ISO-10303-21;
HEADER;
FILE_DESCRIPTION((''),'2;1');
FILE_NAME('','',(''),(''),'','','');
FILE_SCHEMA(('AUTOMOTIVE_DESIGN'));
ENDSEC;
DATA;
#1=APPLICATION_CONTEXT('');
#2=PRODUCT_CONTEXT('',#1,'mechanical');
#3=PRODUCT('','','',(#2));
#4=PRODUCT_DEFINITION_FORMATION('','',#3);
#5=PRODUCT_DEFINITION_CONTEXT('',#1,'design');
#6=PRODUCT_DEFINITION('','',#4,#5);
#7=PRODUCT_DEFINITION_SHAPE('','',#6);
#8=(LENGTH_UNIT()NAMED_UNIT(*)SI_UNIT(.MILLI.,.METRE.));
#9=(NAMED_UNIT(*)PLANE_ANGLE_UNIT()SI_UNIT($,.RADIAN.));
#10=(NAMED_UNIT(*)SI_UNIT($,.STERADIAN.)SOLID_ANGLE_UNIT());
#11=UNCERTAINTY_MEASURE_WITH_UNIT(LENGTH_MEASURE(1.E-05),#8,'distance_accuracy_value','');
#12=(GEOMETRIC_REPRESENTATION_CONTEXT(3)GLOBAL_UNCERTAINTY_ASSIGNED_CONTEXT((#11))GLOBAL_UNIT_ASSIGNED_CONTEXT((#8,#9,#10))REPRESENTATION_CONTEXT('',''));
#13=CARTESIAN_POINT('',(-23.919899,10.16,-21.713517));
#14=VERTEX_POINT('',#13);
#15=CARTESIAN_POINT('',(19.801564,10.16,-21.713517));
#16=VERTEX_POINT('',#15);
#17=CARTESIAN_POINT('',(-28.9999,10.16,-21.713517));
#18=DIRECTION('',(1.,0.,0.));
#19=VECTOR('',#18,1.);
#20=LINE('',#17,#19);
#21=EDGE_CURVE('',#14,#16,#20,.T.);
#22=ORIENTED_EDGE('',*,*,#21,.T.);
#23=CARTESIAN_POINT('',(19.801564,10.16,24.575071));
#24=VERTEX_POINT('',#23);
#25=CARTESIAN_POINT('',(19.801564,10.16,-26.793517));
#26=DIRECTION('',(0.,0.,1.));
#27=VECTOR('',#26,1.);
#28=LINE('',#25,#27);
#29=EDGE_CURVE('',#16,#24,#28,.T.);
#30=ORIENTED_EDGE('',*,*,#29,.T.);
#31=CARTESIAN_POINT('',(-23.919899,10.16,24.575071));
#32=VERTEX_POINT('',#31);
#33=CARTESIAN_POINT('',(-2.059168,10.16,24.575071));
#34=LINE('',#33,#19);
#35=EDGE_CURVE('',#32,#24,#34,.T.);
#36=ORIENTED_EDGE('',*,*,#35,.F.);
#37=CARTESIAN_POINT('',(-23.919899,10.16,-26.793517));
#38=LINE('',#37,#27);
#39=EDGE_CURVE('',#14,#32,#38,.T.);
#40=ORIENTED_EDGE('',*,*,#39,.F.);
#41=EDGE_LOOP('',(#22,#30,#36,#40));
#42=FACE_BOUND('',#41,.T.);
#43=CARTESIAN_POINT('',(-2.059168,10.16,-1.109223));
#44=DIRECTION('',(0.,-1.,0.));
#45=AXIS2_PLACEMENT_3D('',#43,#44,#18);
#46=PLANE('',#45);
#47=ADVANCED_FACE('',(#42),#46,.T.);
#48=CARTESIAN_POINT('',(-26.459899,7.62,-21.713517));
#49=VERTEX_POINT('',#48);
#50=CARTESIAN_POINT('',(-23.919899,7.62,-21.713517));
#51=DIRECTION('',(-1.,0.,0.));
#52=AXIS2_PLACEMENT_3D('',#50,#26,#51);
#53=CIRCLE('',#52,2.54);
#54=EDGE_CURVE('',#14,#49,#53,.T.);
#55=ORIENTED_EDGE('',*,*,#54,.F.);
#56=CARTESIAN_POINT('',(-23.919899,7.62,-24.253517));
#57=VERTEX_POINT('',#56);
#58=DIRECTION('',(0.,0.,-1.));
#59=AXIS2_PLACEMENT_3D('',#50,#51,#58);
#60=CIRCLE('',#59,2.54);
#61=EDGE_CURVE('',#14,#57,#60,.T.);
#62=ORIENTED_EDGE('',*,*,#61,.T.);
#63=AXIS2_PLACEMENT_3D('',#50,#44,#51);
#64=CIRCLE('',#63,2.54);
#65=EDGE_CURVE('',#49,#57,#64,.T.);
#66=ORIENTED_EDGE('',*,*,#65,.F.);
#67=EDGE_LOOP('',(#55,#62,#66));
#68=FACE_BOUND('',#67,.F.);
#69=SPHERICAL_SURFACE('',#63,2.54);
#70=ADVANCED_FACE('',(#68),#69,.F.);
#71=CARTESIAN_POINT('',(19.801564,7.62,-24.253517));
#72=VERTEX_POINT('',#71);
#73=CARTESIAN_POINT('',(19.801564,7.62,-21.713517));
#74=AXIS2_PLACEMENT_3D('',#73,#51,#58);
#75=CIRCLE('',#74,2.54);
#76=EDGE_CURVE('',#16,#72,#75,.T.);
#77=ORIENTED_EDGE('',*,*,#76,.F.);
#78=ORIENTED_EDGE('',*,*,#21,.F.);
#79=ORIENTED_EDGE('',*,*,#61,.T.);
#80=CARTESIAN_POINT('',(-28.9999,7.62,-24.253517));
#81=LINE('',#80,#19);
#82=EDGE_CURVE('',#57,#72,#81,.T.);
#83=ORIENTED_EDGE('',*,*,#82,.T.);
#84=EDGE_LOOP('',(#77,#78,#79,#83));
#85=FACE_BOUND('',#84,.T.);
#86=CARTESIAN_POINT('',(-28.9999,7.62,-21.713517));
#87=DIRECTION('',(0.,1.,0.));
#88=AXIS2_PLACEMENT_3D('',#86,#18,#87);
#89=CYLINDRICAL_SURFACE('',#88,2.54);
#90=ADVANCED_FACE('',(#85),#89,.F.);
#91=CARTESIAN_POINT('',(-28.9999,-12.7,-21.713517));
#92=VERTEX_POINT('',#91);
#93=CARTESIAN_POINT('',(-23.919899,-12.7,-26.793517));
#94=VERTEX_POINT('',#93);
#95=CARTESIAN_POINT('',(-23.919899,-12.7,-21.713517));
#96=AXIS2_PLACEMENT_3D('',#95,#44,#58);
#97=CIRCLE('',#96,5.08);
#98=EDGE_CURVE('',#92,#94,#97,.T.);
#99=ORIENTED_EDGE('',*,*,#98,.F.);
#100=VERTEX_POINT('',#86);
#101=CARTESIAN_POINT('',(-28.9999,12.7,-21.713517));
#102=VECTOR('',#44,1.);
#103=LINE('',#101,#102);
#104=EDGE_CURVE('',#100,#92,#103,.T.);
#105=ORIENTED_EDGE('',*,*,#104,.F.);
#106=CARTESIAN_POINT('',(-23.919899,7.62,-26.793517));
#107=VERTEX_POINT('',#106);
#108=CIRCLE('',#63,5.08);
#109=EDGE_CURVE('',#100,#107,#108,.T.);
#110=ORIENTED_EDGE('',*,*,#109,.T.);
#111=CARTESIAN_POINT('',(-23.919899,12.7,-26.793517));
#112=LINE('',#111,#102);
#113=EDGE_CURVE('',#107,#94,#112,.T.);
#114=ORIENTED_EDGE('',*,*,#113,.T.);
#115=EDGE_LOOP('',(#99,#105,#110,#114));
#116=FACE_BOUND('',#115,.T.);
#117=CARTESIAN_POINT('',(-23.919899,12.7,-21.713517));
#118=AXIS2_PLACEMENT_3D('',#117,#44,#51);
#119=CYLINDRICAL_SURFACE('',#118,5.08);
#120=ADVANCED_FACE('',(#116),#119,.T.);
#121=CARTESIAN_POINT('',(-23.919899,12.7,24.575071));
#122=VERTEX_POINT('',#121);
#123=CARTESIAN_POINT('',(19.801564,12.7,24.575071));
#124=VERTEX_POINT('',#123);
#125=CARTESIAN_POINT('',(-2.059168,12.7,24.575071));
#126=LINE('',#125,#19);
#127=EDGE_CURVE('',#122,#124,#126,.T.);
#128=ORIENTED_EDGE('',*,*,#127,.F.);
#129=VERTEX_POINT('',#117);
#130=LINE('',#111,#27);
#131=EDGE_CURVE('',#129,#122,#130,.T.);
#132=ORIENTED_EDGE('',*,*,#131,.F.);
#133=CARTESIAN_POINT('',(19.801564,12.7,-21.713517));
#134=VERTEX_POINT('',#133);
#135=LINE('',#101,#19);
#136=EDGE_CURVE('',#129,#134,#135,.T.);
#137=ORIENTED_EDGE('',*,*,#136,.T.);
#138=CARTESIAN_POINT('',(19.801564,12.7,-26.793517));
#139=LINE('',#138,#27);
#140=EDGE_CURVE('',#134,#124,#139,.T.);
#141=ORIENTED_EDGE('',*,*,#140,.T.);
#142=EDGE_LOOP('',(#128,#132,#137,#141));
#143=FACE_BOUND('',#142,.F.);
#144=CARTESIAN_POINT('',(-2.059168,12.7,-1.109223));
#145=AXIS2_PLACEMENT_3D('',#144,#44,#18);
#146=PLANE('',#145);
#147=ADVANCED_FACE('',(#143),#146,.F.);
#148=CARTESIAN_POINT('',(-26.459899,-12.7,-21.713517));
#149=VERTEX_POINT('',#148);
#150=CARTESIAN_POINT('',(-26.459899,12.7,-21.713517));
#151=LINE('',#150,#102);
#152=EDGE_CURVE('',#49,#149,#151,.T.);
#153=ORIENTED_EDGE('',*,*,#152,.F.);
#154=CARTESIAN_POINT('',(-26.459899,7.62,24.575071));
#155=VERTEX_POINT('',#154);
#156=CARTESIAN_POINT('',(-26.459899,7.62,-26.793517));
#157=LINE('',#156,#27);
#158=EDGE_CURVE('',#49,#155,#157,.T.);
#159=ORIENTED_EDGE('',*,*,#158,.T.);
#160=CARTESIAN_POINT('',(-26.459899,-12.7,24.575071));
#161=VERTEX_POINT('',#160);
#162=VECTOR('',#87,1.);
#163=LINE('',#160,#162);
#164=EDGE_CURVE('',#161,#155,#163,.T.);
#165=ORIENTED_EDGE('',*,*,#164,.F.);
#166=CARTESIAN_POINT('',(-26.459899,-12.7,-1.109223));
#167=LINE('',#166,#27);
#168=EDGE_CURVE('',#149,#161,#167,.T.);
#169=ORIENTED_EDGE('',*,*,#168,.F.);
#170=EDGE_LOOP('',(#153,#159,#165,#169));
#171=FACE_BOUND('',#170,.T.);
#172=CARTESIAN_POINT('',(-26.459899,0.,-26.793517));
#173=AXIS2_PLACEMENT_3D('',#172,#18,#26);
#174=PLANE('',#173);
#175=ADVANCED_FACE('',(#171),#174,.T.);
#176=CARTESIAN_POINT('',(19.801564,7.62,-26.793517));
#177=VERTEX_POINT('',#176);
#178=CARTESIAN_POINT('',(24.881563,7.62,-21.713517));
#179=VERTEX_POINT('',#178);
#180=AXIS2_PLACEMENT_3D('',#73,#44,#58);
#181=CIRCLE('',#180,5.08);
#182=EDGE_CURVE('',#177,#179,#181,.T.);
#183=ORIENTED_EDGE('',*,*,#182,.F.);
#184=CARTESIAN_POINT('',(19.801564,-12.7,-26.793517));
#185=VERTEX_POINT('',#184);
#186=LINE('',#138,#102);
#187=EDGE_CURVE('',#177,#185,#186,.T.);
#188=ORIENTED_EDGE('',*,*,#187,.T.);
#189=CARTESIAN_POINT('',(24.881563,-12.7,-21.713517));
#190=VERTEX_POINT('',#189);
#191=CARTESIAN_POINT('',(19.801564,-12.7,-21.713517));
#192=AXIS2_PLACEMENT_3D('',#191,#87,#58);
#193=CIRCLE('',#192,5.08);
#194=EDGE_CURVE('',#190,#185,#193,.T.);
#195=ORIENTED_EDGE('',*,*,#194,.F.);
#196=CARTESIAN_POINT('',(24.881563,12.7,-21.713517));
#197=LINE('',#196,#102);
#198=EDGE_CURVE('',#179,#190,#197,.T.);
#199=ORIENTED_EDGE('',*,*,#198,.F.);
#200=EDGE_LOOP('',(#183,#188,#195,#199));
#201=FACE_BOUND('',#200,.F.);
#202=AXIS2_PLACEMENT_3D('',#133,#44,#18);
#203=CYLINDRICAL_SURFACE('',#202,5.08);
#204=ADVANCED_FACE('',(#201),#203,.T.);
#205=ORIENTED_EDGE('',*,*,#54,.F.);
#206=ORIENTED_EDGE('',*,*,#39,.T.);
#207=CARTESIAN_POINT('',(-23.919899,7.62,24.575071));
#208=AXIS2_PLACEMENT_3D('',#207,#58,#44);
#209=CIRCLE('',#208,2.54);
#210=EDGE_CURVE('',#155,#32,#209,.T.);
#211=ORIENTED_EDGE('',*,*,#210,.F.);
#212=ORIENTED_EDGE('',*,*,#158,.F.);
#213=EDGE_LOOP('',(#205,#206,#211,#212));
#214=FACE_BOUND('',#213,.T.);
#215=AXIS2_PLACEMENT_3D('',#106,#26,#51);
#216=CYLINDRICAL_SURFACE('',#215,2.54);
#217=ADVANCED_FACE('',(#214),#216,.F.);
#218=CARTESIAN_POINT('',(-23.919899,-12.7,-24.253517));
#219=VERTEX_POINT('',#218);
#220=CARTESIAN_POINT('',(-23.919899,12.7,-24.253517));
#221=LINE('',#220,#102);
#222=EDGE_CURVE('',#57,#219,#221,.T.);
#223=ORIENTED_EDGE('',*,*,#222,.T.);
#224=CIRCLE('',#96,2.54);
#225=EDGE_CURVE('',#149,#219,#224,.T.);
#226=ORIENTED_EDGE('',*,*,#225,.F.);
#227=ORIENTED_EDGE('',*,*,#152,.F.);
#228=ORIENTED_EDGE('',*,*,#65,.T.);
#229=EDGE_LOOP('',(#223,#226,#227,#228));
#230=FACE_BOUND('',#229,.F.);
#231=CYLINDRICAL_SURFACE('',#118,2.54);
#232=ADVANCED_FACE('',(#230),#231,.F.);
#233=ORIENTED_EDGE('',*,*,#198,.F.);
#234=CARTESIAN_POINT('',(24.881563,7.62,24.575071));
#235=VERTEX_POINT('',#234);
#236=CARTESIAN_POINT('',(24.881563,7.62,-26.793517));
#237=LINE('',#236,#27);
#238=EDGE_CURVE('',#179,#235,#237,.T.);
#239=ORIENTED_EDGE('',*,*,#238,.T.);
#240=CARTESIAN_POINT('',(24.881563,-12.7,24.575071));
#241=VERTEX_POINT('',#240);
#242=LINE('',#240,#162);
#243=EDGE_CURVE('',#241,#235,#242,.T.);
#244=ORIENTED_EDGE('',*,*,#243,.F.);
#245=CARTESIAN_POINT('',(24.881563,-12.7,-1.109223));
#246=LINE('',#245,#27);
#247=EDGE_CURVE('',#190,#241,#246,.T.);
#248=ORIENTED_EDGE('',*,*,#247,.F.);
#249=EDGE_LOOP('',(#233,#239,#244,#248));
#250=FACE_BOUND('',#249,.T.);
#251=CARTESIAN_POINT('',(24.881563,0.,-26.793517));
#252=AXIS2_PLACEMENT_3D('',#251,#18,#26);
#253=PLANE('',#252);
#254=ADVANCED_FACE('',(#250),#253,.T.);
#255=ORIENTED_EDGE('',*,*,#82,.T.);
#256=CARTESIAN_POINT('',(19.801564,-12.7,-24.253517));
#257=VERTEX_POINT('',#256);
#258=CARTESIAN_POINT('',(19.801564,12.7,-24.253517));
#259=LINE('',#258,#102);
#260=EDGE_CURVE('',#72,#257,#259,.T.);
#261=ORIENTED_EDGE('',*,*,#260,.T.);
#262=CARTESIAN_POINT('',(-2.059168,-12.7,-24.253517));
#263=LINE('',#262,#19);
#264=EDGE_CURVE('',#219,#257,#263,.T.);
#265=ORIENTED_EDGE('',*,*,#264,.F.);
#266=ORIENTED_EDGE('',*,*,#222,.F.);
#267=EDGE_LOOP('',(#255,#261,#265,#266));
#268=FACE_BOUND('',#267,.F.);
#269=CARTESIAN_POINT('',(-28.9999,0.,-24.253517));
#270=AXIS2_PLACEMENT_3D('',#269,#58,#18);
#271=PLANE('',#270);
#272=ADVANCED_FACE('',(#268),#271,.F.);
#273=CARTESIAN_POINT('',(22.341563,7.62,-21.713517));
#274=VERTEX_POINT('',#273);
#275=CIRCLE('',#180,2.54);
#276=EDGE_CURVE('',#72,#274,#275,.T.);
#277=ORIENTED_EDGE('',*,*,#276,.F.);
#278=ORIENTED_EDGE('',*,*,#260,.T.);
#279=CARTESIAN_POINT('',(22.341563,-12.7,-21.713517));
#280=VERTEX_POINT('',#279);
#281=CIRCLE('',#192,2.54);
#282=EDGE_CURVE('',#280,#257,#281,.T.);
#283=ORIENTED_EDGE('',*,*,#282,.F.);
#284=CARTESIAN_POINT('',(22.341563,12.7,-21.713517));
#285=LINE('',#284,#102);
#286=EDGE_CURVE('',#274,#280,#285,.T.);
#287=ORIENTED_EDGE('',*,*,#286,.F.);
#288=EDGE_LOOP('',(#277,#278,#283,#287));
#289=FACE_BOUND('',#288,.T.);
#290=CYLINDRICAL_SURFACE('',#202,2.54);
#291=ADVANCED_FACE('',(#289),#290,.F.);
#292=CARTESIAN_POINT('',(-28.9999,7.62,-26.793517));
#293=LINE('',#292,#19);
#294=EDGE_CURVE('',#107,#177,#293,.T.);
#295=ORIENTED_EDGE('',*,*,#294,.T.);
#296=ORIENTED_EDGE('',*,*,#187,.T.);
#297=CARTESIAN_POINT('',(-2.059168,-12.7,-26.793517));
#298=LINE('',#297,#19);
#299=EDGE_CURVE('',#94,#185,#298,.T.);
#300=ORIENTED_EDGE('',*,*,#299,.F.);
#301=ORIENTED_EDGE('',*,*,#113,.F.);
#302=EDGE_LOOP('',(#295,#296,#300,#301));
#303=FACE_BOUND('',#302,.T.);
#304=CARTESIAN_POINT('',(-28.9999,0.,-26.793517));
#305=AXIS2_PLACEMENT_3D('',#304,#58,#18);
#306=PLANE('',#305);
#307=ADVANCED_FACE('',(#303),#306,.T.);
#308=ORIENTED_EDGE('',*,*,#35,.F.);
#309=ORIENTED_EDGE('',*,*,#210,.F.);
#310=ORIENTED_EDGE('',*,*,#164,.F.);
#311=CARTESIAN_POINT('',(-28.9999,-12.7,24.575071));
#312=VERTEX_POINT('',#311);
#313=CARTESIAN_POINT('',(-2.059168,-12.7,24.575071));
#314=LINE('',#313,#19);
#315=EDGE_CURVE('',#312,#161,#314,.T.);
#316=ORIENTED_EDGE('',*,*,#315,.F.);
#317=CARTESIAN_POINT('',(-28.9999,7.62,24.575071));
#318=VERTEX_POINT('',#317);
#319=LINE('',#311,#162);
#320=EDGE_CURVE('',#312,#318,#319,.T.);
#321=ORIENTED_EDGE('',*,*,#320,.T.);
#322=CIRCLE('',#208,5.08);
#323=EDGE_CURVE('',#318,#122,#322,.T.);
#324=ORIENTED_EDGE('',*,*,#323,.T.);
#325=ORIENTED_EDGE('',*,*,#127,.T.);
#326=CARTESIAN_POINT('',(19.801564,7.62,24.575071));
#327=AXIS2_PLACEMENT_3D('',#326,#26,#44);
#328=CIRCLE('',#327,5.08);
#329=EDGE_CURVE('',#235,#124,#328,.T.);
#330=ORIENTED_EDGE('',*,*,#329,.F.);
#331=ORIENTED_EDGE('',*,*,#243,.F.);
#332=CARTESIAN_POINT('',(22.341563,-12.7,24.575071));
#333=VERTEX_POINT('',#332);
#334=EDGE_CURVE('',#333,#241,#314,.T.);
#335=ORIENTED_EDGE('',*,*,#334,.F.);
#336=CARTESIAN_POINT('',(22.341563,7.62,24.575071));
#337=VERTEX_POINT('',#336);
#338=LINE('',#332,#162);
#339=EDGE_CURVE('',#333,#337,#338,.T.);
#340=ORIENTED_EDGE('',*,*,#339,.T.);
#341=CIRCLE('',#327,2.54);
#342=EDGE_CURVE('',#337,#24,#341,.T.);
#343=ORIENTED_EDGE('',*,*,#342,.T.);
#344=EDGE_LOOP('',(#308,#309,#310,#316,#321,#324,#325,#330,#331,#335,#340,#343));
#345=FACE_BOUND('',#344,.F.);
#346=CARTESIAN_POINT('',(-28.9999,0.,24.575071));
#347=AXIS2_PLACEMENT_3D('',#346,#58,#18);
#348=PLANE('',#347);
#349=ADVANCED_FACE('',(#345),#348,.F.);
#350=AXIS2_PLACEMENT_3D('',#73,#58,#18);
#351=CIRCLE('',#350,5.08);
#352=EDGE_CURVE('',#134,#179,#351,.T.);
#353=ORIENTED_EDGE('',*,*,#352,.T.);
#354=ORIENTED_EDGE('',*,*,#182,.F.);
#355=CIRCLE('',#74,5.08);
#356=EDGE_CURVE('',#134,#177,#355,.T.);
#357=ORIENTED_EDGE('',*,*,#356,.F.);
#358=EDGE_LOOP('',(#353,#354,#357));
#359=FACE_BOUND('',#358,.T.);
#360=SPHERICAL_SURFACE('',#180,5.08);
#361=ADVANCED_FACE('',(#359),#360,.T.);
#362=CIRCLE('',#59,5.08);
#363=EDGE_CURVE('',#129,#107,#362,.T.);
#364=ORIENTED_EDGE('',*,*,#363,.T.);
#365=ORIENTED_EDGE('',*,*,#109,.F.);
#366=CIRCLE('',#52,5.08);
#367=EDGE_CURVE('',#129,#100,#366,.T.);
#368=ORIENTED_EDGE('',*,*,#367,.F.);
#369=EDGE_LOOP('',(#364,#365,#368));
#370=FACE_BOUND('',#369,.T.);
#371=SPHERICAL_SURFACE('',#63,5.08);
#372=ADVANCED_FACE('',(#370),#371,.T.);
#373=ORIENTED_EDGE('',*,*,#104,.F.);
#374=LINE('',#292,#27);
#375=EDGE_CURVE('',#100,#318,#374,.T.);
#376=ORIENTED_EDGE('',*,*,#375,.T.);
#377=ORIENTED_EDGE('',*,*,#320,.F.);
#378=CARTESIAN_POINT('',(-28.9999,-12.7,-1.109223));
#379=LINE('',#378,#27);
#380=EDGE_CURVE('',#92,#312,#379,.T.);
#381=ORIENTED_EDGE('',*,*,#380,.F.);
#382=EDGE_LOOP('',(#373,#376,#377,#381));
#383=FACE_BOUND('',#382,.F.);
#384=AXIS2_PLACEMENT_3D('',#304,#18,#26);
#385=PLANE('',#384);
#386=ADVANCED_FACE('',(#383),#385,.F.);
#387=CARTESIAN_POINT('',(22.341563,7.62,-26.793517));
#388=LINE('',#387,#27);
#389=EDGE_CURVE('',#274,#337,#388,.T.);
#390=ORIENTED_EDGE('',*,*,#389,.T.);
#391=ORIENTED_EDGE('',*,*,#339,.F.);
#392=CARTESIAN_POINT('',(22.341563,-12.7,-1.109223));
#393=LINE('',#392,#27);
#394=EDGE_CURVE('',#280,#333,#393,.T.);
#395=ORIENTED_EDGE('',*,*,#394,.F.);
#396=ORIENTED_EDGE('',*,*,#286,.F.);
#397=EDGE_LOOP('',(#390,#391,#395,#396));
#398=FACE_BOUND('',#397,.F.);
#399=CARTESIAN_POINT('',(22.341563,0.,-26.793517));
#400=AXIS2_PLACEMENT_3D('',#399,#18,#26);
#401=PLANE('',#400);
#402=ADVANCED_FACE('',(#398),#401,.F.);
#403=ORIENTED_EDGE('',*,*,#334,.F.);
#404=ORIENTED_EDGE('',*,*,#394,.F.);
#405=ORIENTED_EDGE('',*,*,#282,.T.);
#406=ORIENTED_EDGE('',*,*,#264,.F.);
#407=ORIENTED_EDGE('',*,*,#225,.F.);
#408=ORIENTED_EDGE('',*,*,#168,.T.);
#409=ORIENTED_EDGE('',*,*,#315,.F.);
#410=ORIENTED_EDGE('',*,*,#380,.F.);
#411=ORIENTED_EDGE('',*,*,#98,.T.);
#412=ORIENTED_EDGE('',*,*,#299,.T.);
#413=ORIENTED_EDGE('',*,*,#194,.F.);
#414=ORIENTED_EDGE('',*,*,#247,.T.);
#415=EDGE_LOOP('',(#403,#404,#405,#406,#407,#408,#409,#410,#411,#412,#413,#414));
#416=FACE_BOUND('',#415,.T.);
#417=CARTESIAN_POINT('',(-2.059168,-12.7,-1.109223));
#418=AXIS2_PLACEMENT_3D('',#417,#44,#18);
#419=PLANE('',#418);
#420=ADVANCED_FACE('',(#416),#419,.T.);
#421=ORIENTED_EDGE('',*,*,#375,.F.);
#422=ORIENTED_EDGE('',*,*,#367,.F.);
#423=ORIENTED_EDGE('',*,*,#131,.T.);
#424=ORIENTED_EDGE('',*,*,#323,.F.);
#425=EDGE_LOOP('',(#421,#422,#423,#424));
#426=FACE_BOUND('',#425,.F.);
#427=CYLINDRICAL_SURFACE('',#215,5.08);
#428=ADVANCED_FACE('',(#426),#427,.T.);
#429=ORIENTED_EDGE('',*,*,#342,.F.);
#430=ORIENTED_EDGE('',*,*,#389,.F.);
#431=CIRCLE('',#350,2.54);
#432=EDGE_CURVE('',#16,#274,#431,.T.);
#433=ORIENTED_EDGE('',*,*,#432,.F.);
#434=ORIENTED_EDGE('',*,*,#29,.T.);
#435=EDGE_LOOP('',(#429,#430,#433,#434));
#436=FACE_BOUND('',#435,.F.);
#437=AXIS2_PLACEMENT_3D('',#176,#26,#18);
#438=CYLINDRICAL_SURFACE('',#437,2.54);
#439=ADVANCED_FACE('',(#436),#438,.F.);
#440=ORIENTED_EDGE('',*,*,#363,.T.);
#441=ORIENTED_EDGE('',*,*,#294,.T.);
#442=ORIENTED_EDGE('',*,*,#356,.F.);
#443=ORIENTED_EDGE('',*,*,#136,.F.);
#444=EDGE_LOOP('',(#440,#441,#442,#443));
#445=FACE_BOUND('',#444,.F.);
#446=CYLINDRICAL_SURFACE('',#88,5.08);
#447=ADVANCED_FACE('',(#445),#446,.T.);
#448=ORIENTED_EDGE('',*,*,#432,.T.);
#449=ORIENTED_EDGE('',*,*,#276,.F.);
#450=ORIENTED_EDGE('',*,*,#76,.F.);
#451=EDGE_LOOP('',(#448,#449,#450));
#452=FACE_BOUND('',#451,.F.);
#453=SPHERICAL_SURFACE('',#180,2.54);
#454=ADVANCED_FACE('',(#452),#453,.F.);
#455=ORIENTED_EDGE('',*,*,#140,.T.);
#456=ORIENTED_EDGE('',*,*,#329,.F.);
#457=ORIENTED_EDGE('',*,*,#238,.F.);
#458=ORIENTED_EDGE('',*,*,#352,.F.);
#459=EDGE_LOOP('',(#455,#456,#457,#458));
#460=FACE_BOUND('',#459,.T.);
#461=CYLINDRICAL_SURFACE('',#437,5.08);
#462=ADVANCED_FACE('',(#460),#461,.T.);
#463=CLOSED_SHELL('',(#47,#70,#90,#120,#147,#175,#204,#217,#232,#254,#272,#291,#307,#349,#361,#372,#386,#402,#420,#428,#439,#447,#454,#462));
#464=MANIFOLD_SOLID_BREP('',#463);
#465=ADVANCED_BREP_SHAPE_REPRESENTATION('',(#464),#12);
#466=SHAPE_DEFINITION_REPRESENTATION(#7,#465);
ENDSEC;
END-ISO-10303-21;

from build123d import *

# Parameters (mm, degrees)
F0_W     = 53.881463
F0_H     = 51.368588
F1_DEPTH = 12.7
F2_R     = 5.08
F3_T     = -2.54


with BuildPart() as f1:
    # F0 (on Front) → F1 (new body, symmetric)
    with BuildSketch(Plane.XZ):
        with Locations((-2.059168, -1.109223)):
            Rectangle(F0_W, F0_H)
    extrude(amount=F1_DEPTH, both=True)

    # F2
    f2_edges = [f1.edges().sort_by_distance(p)[0] for p in [
        (24.881564, 0, -26.793517),
        (-28.999899, 0, -26.793517),
        (-28.999899, 12.7, -1.109223),
        (-2.059167, 12.7, -26.793517),
        (24.881564, 12.7, -1.109223),
    ]]
    fillet(f2_edges, radius=F2_R)

    # F3
    f3_openings = [f1.faces().sort_by_distance(p)[0] for p in [
        (-2.059167, -0.094363, 24.575071),
        (-2.059167, -12.7, -1.010586),
    ]]
    offset(amount=F3_T, openings=f3_openings)


solid = f1.part
